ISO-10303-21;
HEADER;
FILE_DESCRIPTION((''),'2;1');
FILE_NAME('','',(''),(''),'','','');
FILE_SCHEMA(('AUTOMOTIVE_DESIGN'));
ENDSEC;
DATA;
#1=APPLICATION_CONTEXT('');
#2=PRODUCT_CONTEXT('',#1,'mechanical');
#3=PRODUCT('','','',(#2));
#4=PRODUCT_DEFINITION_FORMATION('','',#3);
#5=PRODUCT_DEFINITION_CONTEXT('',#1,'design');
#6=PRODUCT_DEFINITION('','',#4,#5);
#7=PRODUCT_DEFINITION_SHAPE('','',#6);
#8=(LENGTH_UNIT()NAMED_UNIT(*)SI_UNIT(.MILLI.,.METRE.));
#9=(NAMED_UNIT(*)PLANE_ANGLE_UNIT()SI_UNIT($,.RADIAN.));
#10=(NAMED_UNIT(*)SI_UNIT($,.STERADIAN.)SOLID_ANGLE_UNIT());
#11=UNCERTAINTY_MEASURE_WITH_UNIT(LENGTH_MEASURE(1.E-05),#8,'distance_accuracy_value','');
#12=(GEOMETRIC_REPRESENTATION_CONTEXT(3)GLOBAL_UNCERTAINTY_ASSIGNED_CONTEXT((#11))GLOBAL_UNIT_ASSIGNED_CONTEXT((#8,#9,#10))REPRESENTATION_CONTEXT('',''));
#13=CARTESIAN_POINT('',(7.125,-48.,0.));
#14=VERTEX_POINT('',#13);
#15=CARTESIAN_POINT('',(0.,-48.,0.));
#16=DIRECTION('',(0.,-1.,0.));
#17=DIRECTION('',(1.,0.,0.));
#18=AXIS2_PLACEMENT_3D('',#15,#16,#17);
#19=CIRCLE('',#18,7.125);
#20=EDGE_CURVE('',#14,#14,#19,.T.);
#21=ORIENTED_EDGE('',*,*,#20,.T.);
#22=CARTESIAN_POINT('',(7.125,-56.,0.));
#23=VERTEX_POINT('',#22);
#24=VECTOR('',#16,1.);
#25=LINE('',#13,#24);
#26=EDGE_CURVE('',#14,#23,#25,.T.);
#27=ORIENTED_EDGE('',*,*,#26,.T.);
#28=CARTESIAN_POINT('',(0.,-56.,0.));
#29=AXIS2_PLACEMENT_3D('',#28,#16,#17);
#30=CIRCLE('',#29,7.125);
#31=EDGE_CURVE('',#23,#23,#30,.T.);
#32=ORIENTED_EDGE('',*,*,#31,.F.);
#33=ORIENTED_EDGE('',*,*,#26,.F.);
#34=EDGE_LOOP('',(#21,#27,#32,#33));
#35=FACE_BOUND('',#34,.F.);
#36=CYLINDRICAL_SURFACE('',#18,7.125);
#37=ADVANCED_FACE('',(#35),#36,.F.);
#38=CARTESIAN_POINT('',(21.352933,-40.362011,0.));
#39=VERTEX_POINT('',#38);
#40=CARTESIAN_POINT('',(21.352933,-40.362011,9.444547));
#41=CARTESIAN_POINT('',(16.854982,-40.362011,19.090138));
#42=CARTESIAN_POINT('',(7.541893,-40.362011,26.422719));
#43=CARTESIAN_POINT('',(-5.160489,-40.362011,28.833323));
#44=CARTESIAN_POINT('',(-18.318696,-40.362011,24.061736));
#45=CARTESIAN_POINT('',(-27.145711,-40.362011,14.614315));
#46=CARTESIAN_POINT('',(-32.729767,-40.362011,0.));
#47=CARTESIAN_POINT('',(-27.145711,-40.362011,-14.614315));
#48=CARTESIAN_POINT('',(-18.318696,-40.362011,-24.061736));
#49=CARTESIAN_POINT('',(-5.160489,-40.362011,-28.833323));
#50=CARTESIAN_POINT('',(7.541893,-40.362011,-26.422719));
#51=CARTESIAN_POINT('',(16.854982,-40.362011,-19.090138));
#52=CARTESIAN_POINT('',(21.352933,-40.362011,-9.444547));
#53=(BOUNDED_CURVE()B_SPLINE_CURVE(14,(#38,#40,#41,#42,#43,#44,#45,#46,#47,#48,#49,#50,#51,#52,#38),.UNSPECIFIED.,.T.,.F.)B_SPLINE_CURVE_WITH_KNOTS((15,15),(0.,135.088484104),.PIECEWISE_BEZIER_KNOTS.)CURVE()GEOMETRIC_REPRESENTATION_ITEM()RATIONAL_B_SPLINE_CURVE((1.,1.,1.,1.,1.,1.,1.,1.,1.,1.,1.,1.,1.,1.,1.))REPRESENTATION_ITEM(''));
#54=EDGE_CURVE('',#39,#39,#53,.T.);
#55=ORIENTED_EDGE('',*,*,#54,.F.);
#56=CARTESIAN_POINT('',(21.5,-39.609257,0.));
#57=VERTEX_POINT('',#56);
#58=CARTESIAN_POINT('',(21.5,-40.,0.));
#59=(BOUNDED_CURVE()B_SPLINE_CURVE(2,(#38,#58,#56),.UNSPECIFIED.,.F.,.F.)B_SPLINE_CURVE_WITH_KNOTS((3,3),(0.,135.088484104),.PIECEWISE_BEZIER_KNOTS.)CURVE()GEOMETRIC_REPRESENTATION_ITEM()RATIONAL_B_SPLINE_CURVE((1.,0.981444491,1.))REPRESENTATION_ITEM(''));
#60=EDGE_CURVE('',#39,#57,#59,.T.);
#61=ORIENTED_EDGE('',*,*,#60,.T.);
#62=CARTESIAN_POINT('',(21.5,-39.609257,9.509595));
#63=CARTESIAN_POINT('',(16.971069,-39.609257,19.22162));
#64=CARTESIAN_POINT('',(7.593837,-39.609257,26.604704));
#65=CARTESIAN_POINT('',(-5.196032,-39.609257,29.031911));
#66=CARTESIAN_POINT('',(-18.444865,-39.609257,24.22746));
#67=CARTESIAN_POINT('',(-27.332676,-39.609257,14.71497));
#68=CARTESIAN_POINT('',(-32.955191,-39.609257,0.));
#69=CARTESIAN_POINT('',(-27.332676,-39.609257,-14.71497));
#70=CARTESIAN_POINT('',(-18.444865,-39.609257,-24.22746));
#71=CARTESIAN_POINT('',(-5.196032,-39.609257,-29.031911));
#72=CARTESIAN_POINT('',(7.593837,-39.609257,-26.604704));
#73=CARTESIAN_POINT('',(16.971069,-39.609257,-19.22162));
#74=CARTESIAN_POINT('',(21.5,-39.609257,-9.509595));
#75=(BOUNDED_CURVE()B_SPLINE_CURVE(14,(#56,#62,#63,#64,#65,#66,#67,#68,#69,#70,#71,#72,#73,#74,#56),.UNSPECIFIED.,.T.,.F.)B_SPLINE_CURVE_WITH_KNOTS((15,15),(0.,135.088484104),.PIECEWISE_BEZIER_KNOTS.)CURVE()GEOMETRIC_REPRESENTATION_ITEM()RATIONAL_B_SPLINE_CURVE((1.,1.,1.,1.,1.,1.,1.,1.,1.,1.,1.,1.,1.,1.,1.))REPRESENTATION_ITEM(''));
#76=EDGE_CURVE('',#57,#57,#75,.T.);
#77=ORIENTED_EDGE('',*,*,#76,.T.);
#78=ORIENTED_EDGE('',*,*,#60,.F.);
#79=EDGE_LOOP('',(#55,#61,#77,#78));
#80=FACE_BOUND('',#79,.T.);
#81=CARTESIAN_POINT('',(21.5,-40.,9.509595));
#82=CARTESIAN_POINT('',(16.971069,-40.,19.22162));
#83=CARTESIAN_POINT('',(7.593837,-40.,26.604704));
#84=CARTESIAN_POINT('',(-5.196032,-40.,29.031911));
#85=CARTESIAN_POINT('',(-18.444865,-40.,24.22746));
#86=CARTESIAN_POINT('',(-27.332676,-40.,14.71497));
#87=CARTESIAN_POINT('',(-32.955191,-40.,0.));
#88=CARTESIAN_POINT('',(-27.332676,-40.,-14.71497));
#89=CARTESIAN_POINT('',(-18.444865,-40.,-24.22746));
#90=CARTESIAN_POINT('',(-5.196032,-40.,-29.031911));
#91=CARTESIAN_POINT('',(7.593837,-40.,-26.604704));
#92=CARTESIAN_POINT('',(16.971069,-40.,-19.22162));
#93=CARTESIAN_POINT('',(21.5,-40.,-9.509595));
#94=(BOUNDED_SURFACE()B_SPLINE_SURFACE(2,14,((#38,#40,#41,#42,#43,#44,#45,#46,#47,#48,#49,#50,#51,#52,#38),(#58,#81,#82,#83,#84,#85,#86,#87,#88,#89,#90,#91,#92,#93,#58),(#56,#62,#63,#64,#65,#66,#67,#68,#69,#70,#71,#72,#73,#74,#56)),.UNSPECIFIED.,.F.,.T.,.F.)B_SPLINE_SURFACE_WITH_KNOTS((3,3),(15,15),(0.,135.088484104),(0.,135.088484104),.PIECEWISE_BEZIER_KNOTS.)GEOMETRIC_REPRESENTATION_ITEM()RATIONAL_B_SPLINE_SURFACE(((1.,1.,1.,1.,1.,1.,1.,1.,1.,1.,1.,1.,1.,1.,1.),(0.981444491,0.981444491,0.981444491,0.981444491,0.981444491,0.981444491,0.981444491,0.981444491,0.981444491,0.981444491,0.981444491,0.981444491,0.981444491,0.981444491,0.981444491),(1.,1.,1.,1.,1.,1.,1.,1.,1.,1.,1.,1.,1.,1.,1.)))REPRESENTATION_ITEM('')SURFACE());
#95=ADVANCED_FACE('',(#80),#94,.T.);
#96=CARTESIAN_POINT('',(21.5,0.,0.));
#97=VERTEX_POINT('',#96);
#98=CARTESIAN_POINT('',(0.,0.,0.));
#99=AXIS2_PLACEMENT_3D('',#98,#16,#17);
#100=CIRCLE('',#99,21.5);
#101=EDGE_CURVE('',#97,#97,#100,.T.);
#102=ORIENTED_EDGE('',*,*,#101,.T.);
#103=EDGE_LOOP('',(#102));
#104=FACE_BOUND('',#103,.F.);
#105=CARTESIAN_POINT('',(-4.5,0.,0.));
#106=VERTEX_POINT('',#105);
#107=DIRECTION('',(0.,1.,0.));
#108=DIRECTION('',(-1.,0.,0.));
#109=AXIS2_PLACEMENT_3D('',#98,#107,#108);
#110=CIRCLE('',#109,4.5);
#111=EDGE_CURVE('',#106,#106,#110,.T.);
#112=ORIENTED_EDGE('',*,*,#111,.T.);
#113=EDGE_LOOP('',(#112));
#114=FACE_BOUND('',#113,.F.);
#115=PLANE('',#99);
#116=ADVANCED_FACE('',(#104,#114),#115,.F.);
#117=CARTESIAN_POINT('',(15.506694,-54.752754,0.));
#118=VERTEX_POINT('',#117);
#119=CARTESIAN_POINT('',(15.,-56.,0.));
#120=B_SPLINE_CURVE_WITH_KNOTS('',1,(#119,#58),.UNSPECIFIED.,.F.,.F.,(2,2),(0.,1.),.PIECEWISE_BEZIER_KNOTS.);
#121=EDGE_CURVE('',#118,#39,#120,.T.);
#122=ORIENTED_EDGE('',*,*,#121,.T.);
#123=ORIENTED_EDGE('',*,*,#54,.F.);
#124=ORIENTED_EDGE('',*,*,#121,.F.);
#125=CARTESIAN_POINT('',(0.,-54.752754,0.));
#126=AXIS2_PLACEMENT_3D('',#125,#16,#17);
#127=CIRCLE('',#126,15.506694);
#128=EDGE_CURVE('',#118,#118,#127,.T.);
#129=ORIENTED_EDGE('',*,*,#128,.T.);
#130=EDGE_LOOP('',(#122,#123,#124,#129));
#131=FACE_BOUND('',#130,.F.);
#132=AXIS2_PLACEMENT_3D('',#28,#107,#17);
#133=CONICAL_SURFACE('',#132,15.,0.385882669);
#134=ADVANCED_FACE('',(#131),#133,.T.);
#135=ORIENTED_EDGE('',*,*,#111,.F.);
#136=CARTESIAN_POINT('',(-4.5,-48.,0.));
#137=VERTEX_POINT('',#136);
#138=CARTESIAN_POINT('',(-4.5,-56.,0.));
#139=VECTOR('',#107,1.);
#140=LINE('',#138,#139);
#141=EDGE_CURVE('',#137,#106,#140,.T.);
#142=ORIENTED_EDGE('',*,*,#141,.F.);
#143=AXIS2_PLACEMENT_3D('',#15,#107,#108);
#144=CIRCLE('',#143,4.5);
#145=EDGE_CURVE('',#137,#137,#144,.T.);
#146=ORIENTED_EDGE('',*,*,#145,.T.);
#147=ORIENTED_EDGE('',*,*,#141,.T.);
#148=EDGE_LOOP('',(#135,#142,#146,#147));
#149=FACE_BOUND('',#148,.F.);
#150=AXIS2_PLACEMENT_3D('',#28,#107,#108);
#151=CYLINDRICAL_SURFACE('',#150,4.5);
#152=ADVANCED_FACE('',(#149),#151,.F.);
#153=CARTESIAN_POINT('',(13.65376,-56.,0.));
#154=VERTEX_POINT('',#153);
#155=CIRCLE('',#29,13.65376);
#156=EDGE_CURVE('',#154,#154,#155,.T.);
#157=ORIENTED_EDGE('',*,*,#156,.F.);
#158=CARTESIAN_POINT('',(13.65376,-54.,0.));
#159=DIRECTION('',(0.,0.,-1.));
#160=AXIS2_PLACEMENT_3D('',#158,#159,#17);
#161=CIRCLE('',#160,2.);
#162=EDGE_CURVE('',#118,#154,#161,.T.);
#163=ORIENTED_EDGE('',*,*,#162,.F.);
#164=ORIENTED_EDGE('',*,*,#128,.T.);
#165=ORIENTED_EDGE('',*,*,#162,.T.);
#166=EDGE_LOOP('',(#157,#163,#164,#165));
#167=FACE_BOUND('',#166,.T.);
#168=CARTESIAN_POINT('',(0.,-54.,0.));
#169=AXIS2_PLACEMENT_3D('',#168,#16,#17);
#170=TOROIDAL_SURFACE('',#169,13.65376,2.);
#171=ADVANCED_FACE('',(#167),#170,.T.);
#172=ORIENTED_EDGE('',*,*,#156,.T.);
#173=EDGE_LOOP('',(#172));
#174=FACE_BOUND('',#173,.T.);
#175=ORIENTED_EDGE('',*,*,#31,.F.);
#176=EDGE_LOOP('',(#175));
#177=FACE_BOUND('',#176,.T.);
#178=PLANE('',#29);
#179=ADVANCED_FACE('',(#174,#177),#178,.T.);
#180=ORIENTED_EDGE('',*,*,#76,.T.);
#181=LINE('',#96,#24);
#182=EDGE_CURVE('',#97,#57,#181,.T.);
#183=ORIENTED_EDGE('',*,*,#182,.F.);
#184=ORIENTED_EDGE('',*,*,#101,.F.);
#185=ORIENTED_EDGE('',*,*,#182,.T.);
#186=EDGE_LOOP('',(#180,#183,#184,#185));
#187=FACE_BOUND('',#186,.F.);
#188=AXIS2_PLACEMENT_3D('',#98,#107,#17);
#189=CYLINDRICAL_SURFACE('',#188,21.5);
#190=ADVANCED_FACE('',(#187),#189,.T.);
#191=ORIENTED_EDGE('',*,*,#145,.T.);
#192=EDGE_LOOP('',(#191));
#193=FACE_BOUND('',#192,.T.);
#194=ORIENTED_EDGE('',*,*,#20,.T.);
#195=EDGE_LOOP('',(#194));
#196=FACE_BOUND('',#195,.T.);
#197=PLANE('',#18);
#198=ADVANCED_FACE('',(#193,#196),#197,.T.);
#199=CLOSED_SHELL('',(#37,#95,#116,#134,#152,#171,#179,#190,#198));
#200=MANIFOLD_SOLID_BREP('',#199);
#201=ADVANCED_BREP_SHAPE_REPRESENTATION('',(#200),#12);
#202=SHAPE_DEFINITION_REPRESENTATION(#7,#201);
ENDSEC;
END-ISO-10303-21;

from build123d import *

# Parameters (mm, degrees)
F0_R           = 21.5
F1_DEPTH       = 40
F3_R           = 15
F1_FACE_R      = 21.5
F6_D           = 9
F6_CBORE_D     = 14.25
F6_CBORE_DEPTH = 8
F7_R           = 2


with BuildPart() as f1:
    # F0 (on Front) → F1 (new body)
    with BuildSketch(Plane.XZ):
        Circle(F0_R)
    extrude(amount=F1_DEPTH)

    # F3 (on offset) → F4 section 0
    with BuildSketch(Plane.XZ.offset(56)):
        Circle(F3_R)
    # F1_face (on face) → F4 section 1
    with BuildSketch(Plane.XZ.offset(40)):
        Circle(F1_FACE_R)
    loft()

    # F6 (through all)
    with Locations(Plane.XZ.offset(56)):
        with Locations((0, 0)):
            CounterBoreHole(F6_D / 2, F6_CBORE_D / 2, F6_CBORE_DEPTH)

    # F7
    f7_edges = [f1.edges().sort_by_distance(p)[0] for p in [
        (-21.5, -40, 0),
        (-15, -56, 0),
    ]]
    fillet(f7_edges, radius=F7_R)


solid = f1.part
